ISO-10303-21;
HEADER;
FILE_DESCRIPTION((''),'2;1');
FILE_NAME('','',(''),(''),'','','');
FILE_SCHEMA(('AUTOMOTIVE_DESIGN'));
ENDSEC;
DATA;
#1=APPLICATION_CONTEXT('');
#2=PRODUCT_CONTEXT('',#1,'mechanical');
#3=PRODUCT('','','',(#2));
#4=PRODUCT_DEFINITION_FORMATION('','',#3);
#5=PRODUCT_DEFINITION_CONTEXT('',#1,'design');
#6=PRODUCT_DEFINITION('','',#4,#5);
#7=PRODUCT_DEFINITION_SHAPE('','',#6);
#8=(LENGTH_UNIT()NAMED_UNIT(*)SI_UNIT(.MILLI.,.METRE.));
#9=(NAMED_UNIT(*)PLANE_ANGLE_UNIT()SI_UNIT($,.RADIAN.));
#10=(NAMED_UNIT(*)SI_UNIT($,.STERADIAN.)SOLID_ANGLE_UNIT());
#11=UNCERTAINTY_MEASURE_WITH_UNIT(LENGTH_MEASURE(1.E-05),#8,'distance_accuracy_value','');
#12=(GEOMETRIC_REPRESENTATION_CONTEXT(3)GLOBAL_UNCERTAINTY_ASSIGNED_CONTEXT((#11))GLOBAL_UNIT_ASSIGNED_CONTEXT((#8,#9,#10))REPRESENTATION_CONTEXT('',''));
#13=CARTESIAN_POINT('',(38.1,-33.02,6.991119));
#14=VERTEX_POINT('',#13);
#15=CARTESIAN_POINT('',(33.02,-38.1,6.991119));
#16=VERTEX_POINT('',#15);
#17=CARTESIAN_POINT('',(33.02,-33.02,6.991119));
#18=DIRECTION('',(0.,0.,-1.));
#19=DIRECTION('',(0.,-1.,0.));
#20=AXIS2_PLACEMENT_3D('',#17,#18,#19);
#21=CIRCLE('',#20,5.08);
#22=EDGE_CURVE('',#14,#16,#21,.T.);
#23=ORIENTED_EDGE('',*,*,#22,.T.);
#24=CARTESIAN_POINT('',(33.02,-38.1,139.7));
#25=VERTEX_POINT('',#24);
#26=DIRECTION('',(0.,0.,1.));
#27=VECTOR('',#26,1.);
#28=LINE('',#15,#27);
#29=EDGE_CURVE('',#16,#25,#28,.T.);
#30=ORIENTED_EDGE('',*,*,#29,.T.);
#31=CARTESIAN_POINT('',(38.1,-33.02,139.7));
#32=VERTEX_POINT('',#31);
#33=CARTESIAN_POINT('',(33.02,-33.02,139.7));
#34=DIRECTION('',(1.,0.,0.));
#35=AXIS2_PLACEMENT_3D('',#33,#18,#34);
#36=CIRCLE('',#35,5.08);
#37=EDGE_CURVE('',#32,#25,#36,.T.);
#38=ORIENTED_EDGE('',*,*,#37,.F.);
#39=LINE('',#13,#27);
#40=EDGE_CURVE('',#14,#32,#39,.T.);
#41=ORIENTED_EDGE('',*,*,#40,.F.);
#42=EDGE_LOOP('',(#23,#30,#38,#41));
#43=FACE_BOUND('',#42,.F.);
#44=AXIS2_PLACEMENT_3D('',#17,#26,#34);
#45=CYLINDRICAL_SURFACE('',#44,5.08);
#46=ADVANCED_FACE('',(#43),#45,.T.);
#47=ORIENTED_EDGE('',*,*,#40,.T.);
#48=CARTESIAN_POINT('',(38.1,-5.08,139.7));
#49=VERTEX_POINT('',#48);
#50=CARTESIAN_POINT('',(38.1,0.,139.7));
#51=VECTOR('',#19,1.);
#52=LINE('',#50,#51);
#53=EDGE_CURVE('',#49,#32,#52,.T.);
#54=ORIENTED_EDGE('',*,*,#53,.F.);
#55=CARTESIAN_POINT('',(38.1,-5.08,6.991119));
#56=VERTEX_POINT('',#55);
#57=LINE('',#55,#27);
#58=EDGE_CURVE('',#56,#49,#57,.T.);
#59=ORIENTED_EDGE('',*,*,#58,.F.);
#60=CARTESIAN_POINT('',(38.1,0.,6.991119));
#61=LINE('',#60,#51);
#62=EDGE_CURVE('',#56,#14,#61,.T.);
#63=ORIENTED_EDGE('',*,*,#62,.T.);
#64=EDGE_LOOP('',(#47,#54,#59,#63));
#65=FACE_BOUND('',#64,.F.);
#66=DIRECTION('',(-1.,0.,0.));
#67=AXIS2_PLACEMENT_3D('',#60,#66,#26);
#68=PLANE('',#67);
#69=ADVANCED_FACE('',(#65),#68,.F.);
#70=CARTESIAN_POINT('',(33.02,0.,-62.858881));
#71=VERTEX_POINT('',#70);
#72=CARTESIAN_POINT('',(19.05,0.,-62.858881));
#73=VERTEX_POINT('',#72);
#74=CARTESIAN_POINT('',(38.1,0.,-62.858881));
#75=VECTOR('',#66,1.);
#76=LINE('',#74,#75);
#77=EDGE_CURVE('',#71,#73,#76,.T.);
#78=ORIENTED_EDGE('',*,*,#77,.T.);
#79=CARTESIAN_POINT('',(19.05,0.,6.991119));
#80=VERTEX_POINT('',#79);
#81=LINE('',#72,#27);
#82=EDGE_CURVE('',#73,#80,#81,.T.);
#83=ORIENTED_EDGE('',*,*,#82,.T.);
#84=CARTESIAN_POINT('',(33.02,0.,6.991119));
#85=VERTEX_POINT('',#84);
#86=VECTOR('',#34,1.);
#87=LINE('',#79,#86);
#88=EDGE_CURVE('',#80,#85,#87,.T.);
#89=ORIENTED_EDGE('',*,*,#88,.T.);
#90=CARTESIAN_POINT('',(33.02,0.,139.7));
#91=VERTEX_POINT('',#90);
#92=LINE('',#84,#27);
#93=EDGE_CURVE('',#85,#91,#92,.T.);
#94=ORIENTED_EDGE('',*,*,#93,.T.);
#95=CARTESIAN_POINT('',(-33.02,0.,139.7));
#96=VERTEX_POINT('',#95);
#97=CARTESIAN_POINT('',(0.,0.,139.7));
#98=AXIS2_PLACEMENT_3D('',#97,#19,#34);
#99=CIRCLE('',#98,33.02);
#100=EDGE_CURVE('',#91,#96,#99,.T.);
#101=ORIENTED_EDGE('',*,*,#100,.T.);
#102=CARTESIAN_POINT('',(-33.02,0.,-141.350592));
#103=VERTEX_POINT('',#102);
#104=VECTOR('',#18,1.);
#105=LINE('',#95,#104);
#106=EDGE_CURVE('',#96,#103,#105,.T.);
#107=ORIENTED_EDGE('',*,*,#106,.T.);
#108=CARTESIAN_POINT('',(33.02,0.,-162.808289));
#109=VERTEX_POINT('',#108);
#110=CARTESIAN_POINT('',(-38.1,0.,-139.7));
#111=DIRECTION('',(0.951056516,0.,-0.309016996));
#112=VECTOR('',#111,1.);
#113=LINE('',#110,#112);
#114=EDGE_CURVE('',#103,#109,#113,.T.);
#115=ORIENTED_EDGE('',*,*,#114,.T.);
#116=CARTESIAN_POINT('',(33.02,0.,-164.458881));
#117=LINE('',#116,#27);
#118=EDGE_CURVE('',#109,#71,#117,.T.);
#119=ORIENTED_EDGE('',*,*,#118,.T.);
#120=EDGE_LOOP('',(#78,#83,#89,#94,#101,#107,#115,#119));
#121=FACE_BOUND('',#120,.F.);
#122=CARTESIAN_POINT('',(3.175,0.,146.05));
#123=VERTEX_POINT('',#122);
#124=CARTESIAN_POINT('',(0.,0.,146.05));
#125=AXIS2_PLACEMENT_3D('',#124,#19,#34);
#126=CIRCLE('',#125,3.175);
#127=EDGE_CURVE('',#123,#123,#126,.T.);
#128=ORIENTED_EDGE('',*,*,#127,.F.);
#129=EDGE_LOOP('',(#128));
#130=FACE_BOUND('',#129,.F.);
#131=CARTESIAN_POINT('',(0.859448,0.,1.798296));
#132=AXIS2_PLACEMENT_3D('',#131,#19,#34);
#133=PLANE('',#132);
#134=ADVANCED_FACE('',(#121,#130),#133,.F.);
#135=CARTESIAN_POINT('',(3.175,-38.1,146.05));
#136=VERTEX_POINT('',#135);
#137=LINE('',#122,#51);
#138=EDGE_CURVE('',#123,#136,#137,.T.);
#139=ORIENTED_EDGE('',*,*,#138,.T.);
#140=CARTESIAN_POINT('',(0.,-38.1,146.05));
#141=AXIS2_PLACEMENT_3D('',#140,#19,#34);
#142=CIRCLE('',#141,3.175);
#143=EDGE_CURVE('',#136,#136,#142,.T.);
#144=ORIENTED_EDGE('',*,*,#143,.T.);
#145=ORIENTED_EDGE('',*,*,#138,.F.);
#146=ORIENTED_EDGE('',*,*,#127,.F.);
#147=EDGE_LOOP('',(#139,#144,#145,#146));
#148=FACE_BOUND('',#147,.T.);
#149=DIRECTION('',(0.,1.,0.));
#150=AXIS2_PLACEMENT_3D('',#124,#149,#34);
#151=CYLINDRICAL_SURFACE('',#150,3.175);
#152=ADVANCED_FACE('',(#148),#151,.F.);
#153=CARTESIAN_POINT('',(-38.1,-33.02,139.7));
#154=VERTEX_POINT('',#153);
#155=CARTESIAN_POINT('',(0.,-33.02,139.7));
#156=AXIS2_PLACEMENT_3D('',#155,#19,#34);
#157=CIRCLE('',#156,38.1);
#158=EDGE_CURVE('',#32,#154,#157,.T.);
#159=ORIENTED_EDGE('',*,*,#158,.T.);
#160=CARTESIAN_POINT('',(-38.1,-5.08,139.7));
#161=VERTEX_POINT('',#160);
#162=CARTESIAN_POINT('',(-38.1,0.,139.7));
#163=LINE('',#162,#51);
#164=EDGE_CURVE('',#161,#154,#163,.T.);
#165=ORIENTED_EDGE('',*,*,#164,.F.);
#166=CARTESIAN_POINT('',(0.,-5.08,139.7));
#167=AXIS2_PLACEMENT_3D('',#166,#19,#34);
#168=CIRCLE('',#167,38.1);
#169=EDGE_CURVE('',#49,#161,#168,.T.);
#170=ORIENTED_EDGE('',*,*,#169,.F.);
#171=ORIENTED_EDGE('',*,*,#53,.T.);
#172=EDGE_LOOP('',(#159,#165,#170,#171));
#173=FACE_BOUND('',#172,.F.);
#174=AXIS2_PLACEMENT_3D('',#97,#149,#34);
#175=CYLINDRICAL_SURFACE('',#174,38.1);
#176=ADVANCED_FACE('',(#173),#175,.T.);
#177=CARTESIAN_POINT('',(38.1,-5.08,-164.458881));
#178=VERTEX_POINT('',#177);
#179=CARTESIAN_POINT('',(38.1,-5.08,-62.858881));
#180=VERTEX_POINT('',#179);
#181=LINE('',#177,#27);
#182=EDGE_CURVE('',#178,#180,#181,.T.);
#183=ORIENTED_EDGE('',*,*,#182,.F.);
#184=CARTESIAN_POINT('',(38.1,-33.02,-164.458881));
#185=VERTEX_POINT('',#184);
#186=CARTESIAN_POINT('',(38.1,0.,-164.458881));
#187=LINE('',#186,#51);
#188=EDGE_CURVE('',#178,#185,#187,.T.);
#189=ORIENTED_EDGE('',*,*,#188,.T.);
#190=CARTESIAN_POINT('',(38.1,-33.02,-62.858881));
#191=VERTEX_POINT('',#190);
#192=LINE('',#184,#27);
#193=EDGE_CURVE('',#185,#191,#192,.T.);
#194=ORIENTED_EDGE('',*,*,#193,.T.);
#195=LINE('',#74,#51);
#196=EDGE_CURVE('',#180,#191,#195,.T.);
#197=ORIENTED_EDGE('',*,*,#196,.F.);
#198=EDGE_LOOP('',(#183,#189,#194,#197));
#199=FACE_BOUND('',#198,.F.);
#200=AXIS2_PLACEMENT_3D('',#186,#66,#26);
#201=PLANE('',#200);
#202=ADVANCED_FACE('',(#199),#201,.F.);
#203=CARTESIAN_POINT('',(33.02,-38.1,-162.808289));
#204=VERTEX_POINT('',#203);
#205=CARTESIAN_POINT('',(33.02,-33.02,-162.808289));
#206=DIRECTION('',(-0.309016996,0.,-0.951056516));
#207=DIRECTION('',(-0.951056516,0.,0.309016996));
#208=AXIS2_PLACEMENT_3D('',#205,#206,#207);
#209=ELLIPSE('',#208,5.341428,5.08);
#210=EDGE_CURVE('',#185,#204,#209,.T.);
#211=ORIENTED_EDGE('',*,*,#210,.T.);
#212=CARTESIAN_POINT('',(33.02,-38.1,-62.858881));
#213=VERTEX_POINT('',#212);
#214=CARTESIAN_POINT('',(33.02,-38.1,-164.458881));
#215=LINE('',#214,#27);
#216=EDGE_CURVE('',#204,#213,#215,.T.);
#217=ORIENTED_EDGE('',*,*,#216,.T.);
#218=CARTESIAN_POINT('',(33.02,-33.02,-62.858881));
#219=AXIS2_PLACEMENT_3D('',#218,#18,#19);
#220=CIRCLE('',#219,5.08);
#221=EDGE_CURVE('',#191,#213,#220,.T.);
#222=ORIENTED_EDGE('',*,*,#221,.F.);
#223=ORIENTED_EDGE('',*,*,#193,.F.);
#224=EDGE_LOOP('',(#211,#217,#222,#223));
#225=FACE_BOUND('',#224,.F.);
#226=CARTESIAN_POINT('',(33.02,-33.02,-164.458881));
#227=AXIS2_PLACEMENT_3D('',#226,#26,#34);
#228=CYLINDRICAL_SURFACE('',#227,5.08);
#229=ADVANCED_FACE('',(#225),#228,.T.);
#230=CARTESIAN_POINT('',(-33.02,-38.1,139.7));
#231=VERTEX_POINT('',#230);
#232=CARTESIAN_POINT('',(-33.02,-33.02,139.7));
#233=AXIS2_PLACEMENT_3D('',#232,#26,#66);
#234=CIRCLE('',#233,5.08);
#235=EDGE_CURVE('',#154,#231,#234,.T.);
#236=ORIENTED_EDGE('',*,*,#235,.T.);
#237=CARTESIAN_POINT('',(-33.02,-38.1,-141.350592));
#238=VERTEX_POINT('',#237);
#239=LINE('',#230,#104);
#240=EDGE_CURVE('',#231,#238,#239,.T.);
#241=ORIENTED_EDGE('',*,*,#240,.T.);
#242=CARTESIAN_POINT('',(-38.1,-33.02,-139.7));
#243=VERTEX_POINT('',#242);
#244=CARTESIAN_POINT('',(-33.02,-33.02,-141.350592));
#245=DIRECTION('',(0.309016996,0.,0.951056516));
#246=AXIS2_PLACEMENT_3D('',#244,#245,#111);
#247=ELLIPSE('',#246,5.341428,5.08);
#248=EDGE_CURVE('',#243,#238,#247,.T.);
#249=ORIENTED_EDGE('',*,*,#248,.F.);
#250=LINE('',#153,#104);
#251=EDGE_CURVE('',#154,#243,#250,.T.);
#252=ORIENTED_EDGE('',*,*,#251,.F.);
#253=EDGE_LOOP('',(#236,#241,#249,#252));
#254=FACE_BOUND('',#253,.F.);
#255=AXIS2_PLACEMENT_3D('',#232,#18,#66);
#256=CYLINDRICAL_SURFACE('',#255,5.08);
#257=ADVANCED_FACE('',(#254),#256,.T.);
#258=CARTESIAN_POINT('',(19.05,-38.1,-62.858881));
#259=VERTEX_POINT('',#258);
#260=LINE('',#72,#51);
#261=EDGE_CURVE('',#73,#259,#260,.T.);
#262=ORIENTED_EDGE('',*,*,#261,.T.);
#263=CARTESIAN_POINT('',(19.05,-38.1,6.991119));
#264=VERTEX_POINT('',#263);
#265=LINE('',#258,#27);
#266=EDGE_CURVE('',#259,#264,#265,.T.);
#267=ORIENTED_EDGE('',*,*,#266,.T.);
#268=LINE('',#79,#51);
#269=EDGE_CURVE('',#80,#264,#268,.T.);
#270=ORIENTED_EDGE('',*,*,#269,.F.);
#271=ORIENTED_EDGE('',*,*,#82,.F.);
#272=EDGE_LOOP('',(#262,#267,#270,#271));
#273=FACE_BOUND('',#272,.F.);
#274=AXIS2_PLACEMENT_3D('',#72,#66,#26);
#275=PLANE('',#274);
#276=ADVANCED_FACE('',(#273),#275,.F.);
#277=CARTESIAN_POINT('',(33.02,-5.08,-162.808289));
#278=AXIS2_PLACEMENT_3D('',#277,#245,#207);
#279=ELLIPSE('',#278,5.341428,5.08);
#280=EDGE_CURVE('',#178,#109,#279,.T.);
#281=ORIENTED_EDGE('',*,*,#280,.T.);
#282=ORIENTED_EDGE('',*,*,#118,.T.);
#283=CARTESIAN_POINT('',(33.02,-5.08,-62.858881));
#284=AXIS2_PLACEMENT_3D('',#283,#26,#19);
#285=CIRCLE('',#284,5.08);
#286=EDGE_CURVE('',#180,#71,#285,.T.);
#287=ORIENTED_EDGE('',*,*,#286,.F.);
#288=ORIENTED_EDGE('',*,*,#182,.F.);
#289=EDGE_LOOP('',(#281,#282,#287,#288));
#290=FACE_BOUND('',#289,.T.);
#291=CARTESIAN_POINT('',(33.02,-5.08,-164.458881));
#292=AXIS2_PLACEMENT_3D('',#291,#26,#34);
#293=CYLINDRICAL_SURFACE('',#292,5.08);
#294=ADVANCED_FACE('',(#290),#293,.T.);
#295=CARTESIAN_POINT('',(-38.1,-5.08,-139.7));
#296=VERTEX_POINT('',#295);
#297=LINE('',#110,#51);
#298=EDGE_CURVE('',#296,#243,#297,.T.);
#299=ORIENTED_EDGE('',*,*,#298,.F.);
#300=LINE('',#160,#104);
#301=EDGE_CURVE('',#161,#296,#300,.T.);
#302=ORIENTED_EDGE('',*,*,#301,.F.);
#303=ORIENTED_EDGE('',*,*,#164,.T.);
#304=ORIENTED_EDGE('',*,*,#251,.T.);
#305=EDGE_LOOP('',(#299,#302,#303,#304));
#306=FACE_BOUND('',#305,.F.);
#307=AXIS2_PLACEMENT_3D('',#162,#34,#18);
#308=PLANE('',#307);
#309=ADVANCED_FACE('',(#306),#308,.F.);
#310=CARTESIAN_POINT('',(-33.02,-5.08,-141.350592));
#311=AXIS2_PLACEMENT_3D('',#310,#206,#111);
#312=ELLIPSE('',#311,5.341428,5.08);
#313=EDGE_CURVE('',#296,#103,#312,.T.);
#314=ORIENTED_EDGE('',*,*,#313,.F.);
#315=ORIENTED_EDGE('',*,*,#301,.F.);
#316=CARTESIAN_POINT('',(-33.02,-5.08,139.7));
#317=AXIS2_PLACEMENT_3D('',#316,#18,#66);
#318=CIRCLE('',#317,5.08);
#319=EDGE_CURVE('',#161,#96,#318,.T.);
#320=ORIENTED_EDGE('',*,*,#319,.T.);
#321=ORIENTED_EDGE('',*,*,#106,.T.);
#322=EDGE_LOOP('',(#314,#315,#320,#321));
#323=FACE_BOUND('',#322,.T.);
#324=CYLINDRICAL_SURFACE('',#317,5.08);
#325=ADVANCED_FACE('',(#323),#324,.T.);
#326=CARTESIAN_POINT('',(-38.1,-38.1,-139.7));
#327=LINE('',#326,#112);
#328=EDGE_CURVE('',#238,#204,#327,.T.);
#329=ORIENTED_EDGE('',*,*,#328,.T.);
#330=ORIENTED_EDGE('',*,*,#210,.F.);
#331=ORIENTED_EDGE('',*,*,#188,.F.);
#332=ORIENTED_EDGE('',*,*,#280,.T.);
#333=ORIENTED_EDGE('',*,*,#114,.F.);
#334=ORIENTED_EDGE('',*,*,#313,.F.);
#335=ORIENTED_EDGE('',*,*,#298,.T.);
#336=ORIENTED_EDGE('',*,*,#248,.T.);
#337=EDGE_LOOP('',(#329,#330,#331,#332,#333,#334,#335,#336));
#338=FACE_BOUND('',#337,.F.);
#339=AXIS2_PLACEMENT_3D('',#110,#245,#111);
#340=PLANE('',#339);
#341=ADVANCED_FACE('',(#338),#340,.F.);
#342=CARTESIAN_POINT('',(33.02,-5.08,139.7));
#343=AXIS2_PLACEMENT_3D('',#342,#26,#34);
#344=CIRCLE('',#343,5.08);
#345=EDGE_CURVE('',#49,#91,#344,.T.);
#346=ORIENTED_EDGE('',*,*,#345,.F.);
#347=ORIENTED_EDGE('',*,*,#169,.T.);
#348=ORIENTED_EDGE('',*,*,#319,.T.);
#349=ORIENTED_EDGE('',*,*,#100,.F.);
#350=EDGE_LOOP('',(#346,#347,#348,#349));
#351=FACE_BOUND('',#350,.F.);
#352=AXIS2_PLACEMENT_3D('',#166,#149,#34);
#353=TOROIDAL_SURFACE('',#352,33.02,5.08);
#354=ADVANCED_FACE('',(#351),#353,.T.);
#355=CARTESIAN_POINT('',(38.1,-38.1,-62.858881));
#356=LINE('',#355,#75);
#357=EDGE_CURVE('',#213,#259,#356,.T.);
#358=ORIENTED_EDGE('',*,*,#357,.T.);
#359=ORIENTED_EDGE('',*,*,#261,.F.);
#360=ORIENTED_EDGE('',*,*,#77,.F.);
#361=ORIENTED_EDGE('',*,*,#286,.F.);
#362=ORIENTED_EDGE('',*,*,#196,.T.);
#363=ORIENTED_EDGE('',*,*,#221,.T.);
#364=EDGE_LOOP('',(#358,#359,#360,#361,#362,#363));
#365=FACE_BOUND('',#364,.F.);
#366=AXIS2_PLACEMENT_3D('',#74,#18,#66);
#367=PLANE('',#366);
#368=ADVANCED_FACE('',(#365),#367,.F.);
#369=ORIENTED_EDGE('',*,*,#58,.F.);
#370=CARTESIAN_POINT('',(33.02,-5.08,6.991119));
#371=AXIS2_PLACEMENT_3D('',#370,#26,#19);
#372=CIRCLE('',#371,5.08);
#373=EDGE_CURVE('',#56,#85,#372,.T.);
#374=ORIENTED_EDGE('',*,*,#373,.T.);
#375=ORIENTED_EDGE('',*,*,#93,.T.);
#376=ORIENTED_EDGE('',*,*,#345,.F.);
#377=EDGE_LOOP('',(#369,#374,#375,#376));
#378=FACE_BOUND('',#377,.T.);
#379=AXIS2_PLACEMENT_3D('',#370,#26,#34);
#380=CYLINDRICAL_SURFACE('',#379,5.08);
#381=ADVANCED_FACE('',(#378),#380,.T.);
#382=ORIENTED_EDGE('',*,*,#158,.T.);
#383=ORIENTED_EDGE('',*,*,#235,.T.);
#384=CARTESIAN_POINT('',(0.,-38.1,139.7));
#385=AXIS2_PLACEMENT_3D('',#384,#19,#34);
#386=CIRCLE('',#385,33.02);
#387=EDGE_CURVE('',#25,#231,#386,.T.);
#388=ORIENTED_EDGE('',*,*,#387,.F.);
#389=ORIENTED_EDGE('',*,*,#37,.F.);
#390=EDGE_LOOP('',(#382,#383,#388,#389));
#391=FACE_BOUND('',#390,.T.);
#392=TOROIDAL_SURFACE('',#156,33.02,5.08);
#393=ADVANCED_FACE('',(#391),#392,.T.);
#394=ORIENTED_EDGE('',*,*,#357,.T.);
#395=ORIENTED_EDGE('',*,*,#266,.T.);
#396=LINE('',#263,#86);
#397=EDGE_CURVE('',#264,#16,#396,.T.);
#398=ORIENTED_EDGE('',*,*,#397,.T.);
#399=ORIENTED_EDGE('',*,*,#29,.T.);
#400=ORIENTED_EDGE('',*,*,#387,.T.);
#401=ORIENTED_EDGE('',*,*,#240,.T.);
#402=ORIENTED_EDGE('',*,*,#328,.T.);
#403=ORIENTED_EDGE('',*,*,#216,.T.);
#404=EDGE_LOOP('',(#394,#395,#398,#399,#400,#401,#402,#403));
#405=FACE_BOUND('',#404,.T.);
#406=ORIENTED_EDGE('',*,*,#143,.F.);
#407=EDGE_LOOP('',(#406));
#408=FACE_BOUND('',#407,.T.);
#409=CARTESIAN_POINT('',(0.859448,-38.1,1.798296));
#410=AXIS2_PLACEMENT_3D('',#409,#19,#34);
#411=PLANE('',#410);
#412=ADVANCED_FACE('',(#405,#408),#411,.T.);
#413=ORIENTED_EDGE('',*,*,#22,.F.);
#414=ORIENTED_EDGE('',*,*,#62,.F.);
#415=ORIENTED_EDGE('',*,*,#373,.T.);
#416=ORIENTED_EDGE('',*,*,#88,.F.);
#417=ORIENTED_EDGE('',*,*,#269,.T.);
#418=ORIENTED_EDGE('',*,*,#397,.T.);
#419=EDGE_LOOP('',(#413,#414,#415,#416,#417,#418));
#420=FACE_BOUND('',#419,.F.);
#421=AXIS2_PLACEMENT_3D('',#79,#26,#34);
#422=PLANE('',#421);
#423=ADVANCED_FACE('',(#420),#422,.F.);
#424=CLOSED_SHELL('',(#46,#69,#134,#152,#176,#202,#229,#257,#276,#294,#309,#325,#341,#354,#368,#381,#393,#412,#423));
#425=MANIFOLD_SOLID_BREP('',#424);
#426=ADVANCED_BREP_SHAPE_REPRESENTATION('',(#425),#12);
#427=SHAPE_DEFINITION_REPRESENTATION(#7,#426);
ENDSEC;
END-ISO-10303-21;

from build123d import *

# Parameters (mm, degrees)
F0_R     = 3.175
F1_DEPTH = 38.1
F2_R     = 5.08
F3_DEPTH = 38.1


with BuildPart() as f1:
    # F0 (on Front) → F1 (new body)
    with BuildSketch(Plane.XZ):
        with BuildLine():
            ThreePointArc((38.1, 139.7), (0, 177.8), (-38.1, 139.7))
            Line((-38.1, 139.7), (-38.1, -139.7))
            Line((-38.1, -139.7), (38.1, -164.458881))
            Line((38.1, -164.458881), (38.1, -62.858881))
            Line((38.1, -62.858881), (19.05, -62.858881))
            Line((19.05, -62.858881), (19.05, 6.991119))
            Line((19.05, 6.991119), (38.1, 6.991119))
            Line((38.1, 6.991119), (38.1, 139.7))
        make_face()
        with Locations((0, 146.05)):
            Circle(F0_R, mode=Mode.SUBTRACT)
    extrude(amount=F1_DEPTH)

    # F2
    f2_edges = [f1.edges().sort_by_distance(p)[0] for p in [
        (-38.1, 0, 0),
        (38.1, 0, -113.658881),
        (38.1, 0, 73.34556),
        (0, 0, 177.8),
        (-38.1, -38.1, 0),
        (0, -38.1, 177.8),
        (38.1, -38.1, -113.658881),
        (38.1, -38.1, 73.34556),
    ]]
    fillet(f2_edges, radius=F2_R)

    # F0 (on Front) → F3 (cut)
    with BuildSketch(Plane.XZ):
        with Locations((0, 146.05)):
            Circle(F0_R)
    extrude(amount=-F3_DEPTH, mode=Mode.SUBTRACT)


solid = f1.part
